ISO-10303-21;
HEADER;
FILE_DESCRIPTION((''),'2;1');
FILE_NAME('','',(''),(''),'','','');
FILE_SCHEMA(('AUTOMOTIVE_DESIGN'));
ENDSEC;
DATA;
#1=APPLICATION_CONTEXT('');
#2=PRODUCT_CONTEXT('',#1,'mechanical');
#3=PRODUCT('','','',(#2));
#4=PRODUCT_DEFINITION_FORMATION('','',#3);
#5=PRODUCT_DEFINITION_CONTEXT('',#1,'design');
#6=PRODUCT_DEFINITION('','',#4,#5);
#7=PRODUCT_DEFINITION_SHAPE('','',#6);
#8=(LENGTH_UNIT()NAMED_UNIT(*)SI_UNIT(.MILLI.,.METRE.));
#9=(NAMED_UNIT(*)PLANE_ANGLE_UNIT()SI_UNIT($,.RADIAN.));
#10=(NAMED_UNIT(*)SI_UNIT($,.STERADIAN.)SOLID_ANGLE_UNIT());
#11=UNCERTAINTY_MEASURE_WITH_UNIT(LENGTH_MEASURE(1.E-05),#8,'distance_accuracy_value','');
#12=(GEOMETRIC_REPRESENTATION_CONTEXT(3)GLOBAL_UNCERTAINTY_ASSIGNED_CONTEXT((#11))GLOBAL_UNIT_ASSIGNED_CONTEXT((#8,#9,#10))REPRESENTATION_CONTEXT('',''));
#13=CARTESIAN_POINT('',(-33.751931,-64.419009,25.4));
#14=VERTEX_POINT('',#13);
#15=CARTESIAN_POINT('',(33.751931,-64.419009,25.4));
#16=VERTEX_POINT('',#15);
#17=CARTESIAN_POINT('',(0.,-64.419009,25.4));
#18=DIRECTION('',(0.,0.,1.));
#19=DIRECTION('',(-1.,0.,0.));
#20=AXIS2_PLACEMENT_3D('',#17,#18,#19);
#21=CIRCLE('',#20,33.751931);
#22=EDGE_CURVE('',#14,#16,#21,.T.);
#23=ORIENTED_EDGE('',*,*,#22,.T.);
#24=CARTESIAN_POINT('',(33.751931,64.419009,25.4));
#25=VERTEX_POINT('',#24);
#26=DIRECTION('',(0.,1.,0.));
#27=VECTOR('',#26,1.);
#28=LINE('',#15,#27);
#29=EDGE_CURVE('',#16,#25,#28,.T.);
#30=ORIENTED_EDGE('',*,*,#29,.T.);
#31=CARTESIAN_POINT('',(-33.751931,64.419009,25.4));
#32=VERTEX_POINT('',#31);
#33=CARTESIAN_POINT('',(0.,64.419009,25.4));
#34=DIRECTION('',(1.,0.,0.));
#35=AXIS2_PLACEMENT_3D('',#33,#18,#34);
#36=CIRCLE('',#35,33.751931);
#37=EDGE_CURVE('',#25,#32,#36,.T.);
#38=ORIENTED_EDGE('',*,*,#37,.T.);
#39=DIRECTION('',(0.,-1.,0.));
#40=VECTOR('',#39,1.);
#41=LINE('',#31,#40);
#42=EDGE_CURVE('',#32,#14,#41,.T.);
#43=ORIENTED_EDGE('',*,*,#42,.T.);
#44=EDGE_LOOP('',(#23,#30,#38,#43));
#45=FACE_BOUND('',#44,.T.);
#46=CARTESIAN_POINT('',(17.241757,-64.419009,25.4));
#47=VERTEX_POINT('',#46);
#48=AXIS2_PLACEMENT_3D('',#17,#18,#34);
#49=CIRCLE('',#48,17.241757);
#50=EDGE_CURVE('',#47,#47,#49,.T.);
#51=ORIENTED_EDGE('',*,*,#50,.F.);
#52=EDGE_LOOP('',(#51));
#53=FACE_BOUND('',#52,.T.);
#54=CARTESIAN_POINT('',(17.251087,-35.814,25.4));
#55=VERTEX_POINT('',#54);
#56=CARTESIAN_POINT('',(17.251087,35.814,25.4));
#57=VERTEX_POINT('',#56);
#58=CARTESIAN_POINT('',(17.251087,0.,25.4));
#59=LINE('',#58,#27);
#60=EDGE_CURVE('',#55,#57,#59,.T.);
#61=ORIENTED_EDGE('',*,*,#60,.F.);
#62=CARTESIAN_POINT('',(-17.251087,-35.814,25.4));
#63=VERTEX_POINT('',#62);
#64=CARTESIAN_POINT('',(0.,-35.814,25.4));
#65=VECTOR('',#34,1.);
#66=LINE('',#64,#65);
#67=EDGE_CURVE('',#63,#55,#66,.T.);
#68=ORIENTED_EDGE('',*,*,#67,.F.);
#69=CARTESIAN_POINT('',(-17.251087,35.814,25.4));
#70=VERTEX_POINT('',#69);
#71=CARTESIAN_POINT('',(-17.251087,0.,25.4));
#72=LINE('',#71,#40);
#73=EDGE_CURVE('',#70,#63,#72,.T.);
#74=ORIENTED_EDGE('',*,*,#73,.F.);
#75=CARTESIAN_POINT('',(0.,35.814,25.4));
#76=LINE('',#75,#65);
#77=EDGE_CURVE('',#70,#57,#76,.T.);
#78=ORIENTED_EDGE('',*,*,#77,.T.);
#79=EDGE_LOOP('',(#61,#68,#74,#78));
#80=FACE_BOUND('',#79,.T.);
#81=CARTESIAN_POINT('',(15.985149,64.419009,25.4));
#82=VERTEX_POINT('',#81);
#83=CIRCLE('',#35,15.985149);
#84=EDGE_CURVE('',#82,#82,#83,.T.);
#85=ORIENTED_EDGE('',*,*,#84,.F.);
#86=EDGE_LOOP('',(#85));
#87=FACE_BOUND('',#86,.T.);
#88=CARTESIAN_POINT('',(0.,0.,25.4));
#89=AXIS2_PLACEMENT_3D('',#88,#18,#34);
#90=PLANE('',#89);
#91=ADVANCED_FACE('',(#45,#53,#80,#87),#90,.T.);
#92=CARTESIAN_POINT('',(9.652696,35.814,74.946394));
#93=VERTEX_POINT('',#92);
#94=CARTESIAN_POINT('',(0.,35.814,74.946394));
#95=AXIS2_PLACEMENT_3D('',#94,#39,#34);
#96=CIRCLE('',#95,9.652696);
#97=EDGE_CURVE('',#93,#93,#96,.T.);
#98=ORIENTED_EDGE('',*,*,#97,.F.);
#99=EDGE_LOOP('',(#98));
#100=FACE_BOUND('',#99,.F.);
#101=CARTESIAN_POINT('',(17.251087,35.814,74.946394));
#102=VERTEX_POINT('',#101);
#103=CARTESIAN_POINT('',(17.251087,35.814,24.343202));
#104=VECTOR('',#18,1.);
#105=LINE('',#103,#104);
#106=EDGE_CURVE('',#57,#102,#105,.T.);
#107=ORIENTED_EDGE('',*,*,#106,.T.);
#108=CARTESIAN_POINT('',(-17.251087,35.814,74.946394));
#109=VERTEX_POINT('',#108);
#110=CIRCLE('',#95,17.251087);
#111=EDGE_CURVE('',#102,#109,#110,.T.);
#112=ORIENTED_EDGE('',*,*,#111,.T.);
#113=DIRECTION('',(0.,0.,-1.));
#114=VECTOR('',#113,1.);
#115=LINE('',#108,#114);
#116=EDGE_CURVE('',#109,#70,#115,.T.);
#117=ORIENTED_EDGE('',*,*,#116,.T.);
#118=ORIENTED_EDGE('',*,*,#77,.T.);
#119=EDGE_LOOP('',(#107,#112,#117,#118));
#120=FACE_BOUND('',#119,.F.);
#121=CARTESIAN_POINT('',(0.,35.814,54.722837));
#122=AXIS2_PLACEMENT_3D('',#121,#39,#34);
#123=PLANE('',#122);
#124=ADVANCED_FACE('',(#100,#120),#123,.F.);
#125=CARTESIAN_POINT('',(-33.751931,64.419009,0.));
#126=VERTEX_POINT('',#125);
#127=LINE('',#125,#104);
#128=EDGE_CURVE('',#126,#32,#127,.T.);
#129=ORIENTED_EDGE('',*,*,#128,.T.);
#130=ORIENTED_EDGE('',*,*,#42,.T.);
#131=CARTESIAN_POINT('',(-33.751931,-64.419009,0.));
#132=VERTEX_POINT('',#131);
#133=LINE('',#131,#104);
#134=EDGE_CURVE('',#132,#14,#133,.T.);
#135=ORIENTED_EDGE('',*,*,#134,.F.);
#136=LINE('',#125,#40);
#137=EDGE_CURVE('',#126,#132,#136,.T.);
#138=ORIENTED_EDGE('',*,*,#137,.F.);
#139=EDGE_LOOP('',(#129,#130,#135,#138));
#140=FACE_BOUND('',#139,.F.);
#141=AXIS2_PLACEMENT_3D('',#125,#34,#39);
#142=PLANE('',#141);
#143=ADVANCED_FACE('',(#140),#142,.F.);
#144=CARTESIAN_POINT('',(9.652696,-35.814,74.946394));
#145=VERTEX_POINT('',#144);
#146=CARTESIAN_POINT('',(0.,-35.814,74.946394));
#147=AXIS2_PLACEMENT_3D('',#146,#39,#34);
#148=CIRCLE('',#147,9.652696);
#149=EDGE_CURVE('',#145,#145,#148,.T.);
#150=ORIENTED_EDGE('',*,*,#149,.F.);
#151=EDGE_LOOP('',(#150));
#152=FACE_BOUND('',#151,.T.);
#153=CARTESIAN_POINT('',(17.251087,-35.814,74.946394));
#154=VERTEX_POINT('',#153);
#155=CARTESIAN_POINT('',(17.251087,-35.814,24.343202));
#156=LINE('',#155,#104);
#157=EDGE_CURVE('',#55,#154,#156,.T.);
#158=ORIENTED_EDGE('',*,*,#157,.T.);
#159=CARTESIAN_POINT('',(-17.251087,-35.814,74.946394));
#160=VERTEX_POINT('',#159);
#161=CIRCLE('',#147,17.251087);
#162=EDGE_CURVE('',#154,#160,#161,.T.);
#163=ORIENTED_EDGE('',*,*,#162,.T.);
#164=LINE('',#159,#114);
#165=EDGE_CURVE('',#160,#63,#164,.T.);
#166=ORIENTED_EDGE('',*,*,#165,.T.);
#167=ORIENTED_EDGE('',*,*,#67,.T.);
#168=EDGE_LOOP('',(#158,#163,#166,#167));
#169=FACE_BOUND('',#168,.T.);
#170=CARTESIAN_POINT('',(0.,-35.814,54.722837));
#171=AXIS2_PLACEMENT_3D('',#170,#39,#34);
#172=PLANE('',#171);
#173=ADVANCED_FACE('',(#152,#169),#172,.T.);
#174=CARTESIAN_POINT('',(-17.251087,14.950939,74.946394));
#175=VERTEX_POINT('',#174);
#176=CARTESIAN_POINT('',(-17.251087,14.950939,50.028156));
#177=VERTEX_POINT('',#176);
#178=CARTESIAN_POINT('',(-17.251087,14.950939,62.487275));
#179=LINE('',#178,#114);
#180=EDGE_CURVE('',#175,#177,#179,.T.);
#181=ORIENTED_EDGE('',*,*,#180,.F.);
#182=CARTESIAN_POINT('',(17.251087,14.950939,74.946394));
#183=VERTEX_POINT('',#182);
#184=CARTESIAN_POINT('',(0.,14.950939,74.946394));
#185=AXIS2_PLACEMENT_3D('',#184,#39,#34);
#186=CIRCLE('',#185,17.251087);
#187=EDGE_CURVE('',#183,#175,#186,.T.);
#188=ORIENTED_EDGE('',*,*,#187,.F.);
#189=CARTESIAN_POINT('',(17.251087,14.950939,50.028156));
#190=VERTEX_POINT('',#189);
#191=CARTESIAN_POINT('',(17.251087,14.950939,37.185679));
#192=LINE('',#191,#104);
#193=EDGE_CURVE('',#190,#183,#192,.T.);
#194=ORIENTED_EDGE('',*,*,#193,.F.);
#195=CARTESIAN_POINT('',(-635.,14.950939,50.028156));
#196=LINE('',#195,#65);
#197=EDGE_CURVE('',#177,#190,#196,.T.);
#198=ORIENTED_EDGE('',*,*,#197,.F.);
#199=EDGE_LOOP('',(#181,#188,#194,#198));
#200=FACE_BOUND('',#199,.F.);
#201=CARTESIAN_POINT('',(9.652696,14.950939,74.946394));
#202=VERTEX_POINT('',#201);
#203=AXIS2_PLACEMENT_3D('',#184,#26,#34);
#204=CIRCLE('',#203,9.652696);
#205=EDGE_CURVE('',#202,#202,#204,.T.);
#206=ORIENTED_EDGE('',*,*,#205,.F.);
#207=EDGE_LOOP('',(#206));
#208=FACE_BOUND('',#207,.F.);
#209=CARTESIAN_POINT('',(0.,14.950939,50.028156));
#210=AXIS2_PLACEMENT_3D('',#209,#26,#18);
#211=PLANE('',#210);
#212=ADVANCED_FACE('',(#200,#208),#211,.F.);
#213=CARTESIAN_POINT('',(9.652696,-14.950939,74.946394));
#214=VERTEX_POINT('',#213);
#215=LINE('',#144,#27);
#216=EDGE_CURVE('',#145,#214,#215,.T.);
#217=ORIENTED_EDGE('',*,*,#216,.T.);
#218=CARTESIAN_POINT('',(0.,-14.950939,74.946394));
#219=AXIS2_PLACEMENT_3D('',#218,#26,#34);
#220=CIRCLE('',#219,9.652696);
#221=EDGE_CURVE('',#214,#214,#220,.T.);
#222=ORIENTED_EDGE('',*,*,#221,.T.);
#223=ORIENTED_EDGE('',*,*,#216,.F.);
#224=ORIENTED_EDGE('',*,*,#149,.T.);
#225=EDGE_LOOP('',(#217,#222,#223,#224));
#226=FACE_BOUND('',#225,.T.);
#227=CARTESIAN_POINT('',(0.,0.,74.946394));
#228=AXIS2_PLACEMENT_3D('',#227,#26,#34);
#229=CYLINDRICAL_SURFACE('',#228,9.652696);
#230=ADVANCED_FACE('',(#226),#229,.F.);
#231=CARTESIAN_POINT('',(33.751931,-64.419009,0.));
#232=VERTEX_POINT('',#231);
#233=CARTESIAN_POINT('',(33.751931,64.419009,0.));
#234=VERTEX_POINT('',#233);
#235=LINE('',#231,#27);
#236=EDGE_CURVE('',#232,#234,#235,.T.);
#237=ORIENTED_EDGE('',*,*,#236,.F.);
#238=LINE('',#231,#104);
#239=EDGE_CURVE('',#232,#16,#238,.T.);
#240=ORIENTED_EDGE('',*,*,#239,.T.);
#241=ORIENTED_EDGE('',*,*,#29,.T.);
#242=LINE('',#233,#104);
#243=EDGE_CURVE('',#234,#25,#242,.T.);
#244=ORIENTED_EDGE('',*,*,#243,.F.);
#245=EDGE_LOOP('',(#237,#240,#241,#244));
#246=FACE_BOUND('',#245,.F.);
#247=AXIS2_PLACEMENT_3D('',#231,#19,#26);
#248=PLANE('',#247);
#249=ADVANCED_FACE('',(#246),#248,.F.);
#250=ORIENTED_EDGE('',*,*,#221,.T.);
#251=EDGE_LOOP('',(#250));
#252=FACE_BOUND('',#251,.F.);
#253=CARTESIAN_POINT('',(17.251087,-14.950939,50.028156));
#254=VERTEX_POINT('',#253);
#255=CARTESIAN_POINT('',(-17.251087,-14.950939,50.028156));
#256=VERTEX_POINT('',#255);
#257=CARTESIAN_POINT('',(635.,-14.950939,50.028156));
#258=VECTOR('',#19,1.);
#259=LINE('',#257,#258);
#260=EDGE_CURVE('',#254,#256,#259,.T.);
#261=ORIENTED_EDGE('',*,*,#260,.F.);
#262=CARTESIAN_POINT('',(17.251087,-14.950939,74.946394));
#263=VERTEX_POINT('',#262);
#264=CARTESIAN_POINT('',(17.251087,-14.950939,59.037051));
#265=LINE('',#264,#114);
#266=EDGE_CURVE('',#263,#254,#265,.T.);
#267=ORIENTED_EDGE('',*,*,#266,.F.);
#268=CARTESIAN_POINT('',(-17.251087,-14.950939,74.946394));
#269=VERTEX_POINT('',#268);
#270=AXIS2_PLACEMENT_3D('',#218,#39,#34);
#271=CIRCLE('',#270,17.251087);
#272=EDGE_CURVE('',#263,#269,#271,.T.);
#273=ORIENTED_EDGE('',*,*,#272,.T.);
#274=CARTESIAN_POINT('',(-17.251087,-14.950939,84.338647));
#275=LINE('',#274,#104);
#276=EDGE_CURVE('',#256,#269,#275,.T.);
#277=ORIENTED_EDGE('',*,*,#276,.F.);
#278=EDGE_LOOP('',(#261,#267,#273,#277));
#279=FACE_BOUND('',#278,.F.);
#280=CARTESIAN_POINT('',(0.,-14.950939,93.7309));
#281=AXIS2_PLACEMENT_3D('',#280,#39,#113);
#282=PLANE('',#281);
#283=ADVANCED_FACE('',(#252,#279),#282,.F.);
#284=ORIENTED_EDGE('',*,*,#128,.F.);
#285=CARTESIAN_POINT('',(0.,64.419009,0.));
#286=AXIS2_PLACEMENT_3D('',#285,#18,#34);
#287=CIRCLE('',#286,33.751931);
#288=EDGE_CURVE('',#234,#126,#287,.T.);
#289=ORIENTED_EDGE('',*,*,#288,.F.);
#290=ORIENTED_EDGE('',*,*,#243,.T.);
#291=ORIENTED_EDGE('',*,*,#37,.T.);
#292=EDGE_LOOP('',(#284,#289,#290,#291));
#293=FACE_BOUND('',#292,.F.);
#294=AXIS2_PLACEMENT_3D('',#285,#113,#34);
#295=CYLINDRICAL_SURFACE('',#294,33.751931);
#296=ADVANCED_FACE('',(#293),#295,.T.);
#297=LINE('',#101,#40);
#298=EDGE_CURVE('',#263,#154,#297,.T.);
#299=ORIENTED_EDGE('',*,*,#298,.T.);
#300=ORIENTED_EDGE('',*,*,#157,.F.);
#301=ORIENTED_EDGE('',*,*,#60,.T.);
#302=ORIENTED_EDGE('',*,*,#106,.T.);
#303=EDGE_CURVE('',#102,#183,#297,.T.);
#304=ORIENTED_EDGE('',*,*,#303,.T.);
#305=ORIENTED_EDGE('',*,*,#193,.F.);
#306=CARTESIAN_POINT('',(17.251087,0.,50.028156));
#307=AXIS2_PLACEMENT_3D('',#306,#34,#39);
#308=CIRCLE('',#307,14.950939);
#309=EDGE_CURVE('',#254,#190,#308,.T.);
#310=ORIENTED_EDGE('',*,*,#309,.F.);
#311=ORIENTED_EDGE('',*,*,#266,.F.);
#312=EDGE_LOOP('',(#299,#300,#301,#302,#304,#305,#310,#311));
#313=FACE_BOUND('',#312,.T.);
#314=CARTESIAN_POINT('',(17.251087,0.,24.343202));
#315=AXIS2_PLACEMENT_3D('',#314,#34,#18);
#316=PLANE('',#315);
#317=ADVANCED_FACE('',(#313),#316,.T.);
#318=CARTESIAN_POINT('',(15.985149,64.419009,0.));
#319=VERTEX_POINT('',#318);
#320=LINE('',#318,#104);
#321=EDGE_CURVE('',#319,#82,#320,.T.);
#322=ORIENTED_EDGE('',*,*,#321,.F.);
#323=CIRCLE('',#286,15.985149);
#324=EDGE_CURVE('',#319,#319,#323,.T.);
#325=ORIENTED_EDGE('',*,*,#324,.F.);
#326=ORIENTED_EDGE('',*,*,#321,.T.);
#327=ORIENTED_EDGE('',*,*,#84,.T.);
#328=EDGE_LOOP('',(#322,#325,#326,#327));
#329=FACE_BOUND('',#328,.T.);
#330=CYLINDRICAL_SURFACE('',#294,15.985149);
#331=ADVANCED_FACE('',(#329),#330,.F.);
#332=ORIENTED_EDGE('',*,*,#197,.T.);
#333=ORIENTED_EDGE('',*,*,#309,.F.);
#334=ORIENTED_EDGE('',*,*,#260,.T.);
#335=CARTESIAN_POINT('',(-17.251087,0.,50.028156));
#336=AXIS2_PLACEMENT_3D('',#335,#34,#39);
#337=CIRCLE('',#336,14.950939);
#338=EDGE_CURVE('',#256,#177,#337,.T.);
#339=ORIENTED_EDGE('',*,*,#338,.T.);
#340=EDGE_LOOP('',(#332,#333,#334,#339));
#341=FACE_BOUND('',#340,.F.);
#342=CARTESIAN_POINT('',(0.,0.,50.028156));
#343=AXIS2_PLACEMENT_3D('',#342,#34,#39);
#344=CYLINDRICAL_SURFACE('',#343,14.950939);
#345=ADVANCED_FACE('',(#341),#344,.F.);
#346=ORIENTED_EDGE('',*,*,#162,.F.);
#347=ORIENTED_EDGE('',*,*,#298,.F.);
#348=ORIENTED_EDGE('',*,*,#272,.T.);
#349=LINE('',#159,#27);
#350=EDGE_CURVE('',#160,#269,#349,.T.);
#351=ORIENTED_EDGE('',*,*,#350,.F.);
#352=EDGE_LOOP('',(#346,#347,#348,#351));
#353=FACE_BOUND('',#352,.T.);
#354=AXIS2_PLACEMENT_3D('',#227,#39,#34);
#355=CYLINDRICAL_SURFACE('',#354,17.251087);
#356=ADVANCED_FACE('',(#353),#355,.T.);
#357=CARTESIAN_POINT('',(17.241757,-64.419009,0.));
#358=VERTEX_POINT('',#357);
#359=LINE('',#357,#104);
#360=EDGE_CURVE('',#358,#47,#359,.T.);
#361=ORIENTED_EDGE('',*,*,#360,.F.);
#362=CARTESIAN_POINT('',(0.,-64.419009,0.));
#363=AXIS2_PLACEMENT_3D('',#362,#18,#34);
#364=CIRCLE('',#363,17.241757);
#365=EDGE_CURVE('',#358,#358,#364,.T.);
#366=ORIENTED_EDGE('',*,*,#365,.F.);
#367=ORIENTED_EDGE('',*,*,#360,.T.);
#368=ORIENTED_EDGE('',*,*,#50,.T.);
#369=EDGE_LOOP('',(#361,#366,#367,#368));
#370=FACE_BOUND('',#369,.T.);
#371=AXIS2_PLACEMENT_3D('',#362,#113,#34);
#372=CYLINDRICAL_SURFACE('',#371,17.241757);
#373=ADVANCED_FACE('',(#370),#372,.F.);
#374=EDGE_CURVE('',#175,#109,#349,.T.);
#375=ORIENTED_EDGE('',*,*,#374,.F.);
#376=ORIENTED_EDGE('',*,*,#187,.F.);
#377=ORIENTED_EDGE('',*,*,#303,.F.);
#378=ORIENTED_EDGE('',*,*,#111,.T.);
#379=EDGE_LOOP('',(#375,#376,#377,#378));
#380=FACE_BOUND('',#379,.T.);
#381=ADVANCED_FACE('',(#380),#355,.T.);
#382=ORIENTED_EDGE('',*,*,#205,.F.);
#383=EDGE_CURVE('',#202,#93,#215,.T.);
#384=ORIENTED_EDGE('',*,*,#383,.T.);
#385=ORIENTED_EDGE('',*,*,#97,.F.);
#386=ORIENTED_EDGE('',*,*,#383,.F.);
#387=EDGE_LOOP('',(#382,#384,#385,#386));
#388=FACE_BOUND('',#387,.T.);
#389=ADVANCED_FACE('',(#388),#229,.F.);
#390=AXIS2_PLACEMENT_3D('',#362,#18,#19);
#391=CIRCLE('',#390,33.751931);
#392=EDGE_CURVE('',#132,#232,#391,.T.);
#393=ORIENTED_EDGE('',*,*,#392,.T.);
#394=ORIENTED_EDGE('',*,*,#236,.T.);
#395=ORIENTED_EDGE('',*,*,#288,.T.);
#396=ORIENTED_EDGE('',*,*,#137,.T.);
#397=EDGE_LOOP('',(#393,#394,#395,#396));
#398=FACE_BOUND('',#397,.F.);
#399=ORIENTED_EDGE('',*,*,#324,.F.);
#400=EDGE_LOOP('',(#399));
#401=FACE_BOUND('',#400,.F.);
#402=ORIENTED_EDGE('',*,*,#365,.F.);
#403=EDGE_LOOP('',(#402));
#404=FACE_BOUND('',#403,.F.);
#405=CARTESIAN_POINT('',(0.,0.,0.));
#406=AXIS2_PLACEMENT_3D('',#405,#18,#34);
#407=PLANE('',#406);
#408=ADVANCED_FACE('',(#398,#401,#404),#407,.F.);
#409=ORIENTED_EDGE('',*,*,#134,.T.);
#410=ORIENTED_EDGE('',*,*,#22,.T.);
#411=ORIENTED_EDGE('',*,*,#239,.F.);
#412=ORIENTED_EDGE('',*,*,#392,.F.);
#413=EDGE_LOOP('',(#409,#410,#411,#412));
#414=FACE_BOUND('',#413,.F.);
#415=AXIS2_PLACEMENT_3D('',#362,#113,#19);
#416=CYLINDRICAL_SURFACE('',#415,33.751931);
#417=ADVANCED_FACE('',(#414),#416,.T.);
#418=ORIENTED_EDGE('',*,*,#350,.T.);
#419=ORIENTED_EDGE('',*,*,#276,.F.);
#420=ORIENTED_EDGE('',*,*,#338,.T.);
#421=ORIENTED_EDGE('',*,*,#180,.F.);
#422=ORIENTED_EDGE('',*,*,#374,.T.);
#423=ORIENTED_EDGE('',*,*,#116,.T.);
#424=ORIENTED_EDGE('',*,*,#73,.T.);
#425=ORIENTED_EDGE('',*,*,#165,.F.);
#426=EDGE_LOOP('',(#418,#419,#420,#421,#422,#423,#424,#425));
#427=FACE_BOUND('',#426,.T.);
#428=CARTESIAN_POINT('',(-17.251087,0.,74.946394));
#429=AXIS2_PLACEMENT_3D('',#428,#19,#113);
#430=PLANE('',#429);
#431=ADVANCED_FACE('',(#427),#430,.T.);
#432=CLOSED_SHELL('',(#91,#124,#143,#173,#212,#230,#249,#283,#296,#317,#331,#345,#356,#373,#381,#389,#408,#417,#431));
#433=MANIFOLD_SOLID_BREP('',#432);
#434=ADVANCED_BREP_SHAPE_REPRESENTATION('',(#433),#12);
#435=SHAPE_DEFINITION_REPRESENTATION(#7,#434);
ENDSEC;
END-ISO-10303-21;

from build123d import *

# Parameters (mm, degrees)
F0_R     = 17.2417566051
F0_R_2   = 15.9851491333
F1_DEPTH = 25.4
F2_R     = 9.6526962005
F3_DEPTH = 35.814
F5_DEPTH = 635


with BuildPart() as f1:
    # F0 (on Top) → F1 (new body)
    with BuildSketch(Plane.XY):
        with BuildLine():
            ThreePointArc((-33.7519310415, -64.4190087914), (0, -98.1709398329), (33.7519310415, -64.4190087914))
            Line((33.7519310415, -64.4190087914), (33.7519310415, 64.4190087914))
            ThreePointArc((33.7519310415, 64.4190087914), (0, 98.1709398329), (-33.7519310415, 64.4190087914))
            Line((-33.7519310415, 64.4190087914), (-33.7519310415, -64.4190087914))
        make_face()
        with Locations((0, -64.4190087914)):
            Circle(F0_R, mode=Mode.SUBTRACT)
        with Locations((0, 64.4190087914)):
            Circle(F0_R_2, mode=Mode.SUBTRACT)
    extrude(amount=F1_DEPTH)

    # F2 (on Front) → F3 (join, symmetric)
    with BuildSketch(Plane.XZ):
        with BuildLine():
            Line((-17.2510873526, 24.3432018906), (17.2510873526, 24.3432018906))
            Line((17.2510873526, 24.3432018906), (17.2510873526, 74.9463941902))
            ThreePointArc((17.2510873526, 74.9463941902), (0, 92.1974815428), (-17.2510873526, 74.9463941902))
            Line((-17.2510873526, 74.9463941902), (-17.2510873526, 24.3432018906))
        make_face()
        with Locations((0, 74.9463941902)):
            Circle(F2_R, mode=Mode.SUBTRACT)
    extrude(amount=F3_DEPTH, both=True)

    # F4 (on Right) → F5 (cut, symmetric)
    with BuildSketch(Plane.YZ):
        with BuildLine():
            ThreePointArc((-14.9509394541, 50.0281564891), (0, 35.077217035), (14.9509394541, 50.0281564891))
            Line((14.9509394541, 50.0281564891), (-14.9509394541, 50.0281564891))
        make_face()
        with BuildLine():
            ThreePointArc((-14.9509394541, 50.0281564891), (0, 64.9790959433), (14.9509394541, 50.0281564891))
            Line((14.9509394541, 50.0281564891), (14.9509394541, 93.7309004366))
            Line((14.9509394541, 93.7309004366), (-14.9509394541, 93.7309004366))
            Line((-14.9509394541, 93.7309004366), (-14.9509394541, 50.0281564891))
        make_face()
        with BuildLine():
            Line((-14.9509394541, 50.0281564891), (14.9509394541, 50.0281564891))
            ThreePointArc((14.9509394541, 50.0281564891), (0, 64.9790959433), (-14.9509394541, 50.0281564891))
        make_face()
    extrude(amount=F5_DEPTH, both=True, mode=Mode.SUBTRACT)


solid = f1.part
